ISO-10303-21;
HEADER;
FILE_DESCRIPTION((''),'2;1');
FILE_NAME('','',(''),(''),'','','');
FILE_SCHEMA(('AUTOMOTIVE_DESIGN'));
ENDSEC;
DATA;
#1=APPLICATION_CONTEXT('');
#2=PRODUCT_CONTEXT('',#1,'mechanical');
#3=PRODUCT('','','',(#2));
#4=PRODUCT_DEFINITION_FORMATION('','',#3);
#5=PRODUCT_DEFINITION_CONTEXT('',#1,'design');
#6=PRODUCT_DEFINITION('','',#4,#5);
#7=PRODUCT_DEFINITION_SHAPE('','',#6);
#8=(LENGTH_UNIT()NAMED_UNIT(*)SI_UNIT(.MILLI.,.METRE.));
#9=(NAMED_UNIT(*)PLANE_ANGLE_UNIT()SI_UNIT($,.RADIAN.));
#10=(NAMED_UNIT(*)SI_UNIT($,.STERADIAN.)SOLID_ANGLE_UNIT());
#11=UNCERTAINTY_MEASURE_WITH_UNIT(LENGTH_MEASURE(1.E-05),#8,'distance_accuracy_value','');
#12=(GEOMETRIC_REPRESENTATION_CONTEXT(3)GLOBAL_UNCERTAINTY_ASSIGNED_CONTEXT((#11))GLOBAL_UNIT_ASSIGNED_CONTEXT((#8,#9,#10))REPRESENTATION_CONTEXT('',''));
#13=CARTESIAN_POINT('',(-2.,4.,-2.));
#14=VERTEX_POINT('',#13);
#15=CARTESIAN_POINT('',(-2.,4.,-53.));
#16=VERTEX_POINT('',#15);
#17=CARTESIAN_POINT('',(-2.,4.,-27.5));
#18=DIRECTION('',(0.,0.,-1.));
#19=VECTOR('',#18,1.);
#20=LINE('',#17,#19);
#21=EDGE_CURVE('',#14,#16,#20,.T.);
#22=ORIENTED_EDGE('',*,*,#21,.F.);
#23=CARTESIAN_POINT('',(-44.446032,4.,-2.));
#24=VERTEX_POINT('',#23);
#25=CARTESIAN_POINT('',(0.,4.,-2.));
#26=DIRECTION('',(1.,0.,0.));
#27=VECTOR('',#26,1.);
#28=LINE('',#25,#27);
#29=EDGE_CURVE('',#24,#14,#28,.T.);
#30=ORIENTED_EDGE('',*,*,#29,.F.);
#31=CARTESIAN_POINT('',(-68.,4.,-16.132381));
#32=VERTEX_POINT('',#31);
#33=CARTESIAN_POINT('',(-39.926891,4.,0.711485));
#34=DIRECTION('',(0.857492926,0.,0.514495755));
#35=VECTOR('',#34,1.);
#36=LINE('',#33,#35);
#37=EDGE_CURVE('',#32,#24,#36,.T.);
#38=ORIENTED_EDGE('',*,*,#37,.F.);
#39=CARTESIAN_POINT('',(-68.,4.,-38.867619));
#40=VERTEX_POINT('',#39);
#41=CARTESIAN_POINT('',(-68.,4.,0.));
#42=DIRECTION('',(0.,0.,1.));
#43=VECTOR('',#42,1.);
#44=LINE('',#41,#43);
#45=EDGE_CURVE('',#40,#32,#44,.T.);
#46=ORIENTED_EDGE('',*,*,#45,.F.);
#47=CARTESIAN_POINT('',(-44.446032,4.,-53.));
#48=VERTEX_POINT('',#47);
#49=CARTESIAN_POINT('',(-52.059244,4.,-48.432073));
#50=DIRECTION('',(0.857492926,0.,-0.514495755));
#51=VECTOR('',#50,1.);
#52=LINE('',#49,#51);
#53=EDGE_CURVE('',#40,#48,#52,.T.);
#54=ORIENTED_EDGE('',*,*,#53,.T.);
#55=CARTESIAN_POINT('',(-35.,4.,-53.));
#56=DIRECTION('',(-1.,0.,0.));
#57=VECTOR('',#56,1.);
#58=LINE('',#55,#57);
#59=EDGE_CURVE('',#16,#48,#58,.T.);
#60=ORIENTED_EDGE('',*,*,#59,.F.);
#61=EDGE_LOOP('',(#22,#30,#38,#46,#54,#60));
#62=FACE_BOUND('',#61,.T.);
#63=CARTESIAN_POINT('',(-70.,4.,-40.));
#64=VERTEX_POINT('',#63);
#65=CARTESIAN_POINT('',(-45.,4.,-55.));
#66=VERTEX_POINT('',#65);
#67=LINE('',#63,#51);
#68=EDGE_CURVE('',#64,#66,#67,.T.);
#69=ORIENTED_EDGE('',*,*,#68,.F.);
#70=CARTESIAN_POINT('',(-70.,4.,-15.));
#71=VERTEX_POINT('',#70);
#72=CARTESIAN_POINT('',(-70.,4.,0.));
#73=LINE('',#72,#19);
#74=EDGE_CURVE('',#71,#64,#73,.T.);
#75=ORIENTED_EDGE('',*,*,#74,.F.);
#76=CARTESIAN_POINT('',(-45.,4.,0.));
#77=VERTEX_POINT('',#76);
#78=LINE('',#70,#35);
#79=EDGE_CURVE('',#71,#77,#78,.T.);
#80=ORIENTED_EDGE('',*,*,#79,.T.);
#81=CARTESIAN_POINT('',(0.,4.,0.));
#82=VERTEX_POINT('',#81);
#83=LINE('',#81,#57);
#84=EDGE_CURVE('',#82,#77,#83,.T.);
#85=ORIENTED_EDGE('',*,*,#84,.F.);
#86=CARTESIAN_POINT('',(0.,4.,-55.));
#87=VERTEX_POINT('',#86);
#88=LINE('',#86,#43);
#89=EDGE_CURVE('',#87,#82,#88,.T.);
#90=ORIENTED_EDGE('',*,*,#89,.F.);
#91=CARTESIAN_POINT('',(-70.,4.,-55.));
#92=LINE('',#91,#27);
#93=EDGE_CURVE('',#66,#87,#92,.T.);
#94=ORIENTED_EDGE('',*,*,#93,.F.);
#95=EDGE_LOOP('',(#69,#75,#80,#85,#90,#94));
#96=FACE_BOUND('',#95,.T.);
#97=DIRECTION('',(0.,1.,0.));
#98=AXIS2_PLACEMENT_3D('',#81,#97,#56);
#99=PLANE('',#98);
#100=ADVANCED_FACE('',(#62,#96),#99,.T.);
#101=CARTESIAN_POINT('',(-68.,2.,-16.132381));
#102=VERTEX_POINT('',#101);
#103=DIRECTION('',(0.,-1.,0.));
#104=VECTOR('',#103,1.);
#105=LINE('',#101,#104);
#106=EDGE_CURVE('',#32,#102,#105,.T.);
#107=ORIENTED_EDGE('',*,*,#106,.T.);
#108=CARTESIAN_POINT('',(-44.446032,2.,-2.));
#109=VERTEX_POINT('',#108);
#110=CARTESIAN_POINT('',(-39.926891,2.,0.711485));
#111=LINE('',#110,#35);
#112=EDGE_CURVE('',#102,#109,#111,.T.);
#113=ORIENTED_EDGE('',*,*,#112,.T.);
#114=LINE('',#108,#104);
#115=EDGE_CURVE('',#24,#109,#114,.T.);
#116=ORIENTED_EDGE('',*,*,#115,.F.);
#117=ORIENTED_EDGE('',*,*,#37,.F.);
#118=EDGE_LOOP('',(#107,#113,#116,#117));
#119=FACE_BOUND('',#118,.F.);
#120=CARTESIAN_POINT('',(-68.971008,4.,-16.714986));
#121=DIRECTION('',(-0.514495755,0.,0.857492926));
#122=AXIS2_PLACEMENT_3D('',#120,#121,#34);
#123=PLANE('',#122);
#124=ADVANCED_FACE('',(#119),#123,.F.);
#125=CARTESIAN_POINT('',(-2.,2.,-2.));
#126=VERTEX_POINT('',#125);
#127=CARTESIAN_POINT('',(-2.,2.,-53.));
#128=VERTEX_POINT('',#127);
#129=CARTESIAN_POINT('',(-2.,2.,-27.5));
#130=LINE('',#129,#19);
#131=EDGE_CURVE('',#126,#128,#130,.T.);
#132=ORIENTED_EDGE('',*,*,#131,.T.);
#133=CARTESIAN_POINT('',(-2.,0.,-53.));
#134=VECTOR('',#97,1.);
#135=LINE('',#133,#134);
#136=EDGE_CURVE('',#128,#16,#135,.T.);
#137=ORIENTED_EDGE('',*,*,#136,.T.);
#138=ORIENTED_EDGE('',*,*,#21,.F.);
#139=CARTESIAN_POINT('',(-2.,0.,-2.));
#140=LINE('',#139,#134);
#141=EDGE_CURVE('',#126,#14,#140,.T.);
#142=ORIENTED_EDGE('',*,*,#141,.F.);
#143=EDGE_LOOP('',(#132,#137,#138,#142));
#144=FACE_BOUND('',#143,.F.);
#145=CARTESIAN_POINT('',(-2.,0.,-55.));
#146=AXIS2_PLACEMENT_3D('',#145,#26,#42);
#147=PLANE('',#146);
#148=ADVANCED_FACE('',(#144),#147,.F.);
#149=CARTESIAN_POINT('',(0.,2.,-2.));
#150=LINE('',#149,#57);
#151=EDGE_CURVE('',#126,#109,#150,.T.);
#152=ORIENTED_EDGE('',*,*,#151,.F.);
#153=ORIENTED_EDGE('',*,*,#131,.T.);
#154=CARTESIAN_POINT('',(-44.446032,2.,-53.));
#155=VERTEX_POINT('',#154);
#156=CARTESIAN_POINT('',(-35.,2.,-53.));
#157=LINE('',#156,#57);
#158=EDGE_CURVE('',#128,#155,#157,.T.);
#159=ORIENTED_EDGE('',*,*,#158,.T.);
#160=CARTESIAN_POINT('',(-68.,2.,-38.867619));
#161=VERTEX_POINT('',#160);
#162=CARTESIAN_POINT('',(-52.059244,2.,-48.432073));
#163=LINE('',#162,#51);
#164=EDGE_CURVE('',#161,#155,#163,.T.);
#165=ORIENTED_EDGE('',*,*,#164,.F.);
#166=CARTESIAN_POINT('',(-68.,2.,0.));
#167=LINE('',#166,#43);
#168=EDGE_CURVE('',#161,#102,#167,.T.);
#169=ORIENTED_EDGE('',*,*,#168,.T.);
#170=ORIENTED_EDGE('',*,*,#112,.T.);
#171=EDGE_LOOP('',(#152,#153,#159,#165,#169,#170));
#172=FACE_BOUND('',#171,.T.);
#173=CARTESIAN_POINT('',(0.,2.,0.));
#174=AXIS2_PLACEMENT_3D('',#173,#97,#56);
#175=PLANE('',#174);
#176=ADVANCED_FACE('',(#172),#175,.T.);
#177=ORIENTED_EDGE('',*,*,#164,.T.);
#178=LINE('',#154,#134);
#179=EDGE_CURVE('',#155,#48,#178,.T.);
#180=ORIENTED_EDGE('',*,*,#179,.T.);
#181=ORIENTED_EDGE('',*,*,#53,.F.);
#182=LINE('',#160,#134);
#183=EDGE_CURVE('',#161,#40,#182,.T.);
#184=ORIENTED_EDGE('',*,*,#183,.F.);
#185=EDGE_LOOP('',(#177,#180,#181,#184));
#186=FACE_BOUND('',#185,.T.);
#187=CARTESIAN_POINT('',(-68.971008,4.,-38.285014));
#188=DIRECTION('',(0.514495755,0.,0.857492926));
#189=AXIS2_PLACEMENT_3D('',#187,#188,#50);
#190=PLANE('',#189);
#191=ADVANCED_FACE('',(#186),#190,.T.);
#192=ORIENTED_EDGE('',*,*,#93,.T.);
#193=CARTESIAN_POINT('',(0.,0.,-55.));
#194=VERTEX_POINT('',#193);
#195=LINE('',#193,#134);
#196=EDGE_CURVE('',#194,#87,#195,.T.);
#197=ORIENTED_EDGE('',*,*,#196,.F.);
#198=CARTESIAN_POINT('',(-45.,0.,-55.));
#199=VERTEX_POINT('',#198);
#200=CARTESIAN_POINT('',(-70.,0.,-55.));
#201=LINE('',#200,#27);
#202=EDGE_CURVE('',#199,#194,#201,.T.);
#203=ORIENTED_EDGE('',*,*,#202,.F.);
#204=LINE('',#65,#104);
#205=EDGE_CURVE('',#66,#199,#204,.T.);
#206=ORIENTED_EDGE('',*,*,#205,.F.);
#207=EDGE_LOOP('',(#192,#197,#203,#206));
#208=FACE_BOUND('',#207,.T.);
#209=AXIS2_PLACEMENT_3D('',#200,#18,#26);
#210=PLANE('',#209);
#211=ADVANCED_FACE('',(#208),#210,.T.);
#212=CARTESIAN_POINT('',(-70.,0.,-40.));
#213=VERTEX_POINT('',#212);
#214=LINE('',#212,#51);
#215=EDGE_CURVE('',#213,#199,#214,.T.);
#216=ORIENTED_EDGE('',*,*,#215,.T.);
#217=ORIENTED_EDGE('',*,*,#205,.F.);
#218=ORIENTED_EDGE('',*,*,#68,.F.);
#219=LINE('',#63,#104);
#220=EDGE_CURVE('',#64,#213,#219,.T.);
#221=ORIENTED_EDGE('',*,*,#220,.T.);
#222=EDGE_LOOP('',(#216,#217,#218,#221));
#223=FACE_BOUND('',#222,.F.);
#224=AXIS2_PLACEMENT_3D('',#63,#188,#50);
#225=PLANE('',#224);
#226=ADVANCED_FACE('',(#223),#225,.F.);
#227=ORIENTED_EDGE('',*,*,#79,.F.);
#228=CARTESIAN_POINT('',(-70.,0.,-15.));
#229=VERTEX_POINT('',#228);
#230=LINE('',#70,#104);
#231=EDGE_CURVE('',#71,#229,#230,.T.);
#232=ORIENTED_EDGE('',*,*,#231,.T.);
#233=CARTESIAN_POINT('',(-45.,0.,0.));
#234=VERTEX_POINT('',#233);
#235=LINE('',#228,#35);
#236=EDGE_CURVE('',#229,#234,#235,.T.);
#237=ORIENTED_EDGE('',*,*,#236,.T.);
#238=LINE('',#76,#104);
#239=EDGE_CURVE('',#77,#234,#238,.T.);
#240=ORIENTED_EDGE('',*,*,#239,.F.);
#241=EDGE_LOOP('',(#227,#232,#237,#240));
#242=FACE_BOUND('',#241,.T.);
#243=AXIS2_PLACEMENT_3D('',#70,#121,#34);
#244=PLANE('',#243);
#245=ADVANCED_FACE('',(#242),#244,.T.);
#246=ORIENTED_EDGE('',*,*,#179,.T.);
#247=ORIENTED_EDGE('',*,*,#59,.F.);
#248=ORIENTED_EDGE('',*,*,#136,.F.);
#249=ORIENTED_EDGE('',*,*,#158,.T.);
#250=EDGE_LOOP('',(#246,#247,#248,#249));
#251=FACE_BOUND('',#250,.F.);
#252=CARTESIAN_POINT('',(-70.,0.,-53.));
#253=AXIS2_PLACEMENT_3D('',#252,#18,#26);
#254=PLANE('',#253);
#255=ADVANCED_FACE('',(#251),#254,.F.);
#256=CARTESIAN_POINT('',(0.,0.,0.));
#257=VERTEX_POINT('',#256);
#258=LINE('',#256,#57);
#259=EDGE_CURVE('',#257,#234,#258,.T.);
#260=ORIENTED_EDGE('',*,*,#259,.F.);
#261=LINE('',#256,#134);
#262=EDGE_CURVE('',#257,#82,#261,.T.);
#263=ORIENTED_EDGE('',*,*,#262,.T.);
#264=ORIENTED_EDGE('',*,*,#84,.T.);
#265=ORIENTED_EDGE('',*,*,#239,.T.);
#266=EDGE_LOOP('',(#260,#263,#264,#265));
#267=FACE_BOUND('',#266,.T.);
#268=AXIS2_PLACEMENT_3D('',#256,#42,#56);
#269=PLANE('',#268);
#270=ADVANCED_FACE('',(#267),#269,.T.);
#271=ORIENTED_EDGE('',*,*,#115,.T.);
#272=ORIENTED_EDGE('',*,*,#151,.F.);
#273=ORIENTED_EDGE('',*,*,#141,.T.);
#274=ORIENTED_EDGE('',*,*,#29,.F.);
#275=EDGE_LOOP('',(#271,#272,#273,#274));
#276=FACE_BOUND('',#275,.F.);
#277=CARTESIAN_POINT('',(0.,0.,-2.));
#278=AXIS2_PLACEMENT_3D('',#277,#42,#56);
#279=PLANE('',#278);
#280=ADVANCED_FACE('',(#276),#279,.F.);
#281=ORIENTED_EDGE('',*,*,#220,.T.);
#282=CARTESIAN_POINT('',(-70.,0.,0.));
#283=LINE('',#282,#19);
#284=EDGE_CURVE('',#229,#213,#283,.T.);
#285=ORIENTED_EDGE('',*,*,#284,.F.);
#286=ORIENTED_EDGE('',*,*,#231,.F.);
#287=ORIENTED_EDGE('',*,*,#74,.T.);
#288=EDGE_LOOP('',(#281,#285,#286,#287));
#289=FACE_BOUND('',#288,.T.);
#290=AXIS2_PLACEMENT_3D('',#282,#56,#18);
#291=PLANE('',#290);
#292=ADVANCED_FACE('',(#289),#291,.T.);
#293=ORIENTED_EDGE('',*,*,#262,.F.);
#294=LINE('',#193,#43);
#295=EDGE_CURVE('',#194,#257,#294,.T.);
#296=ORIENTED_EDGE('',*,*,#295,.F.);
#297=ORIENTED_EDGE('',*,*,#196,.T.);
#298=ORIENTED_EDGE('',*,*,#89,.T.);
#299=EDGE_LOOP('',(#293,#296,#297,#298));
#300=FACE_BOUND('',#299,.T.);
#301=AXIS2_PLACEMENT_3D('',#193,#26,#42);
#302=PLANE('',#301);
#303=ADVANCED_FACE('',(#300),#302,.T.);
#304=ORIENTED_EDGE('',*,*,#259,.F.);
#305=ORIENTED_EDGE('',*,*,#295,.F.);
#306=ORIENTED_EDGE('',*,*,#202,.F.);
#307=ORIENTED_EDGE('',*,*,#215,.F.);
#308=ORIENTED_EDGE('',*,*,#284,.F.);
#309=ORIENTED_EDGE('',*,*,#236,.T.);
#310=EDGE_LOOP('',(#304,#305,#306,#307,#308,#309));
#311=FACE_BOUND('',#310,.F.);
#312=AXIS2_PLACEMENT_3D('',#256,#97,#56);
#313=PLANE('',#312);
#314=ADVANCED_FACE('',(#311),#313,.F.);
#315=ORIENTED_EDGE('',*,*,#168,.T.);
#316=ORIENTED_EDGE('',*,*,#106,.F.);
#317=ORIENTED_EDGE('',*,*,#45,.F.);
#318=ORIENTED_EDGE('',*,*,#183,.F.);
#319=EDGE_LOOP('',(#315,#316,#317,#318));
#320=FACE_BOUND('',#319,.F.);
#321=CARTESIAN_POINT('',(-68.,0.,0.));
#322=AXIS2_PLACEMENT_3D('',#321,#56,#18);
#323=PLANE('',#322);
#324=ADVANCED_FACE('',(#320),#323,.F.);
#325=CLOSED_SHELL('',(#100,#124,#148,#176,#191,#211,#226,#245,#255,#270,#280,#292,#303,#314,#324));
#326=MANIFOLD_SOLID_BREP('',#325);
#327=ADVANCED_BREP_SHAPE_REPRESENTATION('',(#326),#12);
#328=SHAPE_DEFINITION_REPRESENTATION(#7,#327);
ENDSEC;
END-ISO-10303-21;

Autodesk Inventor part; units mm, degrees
ref_plane "YZ Plane" through (0, 0, 0) normal (1, 0, 0) x (0, 1, 0)
ref_plane "XZ Plane" through (0, 0, 0) normal (0, 1, 0) x (-1, 0, 0)
ref_plane "XY Plane" through (0, 0, 0) normal (0, 0, 1) x (1, 0, 0)
sketch "Sketch1" plane through (0, 0, 0) normal (0, 1, 0) x (-1, 0, 0)
  line L0 (0, 0) -> (70, 0)
  line L1 (70, 0) -> (70, -55)
  line L2 (70, -55) -> (0, -55)
  line L3 (0, -55) -> (0, 0)
  dimension "d0" = 70
  dimension "d1" = 55
extrude "Extrusion1" add sketch "Sketch1" along normal blind 4
sketch "Sketch9" plane through (0, 4, 0) normal (0, 1, 0) x (1, 0, 0)
  line L0 (-70, 0) -> (0, 0) projected
  line L1 (-70, 55) -> (-70, 0) projected
  line L2 (-45, 0) -> (-70, 0)
  line L3 (-70, 0) -> (-70, 15)
  line L4 (-70, 15) -> (-45, 0)
  line L5 (0, 55) -> (-70, 55) projected
  line L6 (-45, 55) -> (-70, 55)
  line L7 (-70, 55) -> (-70, 40)
  line L8 (-70, 40) -> (-45, 55)
  dimension "d11" = 15
  dimension "d12" = 15
  dimension "d37" = 25
  dimension "d38" = 25
extrude "Extrusion4" cut sketch "Sketch9" against normal blind 4
shell "Shell1" thickness 2 removed faces 1 at (-15, 4, -18.3333)
properties part number "Foot"
